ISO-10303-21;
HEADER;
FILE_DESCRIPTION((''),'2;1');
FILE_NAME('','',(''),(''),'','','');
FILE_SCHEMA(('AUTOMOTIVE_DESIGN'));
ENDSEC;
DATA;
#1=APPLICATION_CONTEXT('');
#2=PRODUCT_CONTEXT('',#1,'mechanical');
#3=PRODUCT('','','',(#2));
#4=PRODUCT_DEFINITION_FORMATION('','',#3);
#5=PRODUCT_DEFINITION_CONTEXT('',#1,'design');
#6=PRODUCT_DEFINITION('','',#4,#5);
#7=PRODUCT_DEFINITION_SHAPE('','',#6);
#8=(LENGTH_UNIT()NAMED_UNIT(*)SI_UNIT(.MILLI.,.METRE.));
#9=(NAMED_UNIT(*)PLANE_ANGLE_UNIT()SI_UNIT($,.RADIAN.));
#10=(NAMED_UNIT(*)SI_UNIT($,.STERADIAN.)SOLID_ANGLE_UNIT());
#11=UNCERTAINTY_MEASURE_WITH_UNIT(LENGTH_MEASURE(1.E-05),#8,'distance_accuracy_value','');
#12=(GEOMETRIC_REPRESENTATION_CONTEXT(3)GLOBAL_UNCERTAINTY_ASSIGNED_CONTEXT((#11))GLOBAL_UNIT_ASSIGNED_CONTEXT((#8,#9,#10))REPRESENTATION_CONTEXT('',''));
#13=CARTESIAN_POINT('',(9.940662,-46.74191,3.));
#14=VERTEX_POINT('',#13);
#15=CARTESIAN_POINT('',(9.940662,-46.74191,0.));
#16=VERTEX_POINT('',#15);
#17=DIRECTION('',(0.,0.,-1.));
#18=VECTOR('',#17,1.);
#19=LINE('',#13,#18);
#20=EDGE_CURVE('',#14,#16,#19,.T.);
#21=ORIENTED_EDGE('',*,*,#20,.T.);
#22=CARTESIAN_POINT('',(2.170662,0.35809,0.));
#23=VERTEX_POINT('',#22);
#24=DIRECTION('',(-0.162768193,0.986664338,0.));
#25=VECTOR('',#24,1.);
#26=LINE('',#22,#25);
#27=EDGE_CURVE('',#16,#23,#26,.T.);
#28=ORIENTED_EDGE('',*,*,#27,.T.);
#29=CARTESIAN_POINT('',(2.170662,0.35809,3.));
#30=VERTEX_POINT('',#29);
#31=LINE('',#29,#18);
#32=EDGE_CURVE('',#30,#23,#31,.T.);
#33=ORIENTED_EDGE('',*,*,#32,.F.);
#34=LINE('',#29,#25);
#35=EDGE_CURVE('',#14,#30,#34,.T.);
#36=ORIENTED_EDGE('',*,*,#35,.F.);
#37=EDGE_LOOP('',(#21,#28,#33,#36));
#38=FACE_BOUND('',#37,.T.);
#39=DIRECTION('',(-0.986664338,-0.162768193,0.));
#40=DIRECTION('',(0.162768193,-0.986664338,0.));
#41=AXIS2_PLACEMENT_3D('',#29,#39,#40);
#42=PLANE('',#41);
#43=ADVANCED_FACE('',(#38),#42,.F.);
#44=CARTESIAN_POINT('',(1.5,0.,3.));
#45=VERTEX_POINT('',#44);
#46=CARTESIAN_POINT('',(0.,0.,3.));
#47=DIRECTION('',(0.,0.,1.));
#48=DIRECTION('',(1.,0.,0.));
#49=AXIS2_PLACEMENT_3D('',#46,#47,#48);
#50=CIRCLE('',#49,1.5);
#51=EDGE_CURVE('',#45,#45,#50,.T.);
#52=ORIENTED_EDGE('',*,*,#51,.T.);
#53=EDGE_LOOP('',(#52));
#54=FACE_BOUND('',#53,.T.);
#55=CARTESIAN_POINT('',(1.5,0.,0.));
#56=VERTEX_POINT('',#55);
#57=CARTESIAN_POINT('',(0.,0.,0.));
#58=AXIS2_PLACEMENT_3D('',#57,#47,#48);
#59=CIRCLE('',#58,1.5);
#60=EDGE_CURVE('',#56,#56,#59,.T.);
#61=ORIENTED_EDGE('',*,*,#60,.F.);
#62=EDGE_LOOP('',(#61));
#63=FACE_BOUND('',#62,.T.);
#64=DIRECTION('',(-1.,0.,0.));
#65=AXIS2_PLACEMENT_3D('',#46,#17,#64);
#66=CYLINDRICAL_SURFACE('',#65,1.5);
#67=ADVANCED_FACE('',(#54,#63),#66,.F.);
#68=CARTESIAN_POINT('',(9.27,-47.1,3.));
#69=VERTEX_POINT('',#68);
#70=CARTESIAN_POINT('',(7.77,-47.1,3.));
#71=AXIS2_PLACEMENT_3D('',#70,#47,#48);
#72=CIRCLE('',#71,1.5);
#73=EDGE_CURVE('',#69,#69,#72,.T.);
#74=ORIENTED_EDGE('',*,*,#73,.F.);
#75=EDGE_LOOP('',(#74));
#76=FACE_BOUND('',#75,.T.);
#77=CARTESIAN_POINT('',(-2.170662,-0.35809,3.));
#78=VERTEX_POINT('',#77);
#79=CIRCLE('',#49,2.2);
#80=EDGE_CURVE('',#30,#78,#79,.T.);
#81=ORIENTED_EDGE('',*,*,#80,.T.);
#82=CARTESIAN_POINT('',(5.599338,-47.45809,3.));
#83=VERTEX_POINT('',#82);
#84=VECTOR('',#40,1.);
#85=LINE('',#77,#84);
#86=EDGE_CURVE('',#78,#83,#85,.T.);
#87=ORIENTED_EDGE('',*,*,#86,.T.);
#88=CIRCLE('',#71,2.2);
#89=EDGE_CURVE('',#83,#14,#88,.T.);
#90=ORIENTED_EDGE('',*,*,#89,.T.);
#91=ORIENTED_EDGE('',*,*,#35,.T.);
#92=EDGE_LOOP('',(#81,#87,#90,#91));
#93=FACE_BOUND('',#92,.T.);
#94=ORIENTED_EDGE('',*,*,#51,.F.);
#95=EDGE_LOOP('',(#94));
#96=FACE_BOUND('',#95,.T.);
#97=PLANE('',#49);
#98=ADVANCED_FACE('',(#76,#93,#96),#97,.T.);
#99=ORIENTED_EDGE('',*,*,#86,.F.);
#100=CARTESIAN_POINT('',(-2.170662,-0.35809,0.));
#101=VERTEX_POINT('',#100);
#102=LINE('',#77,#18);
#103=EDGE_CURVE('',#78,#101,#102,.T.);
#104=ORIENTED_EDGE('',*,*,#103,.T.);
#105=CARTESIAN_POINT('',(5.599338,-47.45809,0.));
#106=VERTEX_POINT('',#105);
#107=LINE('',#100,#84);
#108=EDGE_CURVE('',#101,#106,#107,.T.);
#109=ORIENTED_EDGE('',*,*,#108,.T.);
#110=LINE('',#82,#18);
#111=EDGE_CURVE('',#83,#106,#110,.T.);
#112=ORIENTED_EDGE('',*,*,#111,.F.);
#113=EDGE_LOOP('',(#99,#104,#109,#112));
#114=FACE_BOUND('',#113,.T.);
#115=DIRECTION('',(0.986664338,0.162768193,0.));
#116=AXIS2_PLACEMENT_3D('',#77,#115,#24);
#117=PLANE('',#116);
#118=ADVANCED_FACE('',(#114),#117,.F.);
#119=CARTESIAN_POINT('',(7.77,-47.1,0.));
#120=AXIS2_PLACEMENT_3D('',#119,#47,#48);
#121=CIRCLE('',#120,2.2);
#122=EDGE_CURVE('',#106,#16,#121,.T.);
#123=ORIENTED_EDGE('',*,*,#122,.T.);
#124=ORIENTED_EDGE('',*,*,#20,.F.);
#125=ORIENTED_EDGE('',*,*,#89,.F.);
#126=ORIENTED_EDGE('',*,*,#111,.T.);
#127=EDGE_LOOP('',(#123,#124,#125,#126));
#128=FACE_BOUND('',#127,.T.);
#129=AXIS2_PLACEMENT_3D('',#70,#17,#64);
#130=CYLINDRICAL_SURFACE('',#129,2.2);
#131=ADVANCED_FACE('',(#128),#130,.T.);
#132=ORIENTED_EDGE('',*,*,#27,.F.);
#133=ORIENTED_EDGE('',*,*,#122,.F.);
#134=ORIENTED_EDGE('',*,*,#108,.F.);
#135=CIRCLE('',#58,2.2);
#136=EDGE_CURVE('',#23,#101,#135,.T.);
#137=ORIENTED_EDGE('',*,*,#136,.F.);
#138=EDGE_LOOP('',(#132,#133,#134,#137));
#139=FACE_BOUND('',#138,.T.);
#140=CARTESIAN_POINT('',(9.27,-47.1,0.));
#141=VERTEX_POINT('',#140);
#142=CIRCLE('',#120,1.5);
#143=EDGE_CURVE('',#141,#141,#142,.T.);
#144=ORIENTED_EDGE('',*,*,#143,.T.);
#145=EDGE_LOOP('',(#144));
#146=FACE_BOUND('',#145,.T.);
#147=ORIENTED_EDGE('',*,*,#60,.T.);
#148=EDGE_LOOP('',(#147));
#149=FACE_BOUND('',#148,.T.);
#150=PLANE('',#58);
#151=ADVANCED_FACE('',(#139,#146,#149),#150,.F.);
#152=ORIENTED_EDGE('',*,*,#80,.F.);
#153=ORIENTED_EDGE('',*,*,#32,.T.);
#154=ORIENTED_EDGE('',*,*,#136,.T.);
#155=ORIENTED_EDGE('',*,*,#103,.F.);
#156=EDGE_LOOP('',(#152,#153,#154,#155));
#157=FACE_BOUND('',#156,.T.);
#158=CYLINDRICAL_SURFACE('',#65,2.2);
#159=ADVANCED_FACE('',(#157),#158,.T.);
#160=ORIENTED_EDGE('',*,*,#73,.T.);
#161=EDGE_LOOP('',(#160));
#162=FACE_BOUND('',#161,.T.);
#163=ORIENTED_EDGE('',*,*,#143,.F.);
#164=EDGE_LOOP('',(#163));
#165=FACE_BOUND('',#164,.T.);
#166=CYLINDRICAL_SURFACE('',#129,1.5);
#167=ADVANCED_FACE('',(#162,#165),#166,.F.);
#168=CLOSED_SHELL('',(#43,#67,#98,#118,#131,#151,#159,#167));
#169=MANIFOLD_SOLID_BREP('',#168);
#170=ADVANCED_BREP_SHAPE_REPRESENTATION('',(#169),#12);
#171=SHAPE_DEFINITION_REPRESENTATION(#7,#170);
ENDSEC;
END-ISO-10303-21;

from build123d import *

# Parameters (mm, degrees)
ESQUISSE1_R        = 1.5
BOSS_EXTRU_1_DEPTH = 3


with BuildPart() as part:
    # Esquisse1 → Boss.-Extru.1 (new body)
    with BuildSketch(Plane.XY):
        with BuildLine():
            Line((2.170661543, 0.358090025), (9.940661543, -46.741909975))
            ThreePointArc((9.940661543, -46.741909975), (8.128090025, -49.270661543), (5.599338457, -47.458090025))
            Line((5.599338457, -47.458090025), (-2.170661543, -0.358090025))
            ThreePointArc((-2.170661543, -0.358090025), (-0.358090025, 2.170661543), (2.170661543, 0.358090025))
        make_face()
        Circle(ESQUISSE1_R, mode=Mode.SUBTRACT)
        with Locations((7.77, -47.1)):
            Circle(ESQUISSE1_R, mode=Mode.SUBTRACT)
    extrude(amount=BOSS_EXTRU_1_DEPTH)


solid = part.part
